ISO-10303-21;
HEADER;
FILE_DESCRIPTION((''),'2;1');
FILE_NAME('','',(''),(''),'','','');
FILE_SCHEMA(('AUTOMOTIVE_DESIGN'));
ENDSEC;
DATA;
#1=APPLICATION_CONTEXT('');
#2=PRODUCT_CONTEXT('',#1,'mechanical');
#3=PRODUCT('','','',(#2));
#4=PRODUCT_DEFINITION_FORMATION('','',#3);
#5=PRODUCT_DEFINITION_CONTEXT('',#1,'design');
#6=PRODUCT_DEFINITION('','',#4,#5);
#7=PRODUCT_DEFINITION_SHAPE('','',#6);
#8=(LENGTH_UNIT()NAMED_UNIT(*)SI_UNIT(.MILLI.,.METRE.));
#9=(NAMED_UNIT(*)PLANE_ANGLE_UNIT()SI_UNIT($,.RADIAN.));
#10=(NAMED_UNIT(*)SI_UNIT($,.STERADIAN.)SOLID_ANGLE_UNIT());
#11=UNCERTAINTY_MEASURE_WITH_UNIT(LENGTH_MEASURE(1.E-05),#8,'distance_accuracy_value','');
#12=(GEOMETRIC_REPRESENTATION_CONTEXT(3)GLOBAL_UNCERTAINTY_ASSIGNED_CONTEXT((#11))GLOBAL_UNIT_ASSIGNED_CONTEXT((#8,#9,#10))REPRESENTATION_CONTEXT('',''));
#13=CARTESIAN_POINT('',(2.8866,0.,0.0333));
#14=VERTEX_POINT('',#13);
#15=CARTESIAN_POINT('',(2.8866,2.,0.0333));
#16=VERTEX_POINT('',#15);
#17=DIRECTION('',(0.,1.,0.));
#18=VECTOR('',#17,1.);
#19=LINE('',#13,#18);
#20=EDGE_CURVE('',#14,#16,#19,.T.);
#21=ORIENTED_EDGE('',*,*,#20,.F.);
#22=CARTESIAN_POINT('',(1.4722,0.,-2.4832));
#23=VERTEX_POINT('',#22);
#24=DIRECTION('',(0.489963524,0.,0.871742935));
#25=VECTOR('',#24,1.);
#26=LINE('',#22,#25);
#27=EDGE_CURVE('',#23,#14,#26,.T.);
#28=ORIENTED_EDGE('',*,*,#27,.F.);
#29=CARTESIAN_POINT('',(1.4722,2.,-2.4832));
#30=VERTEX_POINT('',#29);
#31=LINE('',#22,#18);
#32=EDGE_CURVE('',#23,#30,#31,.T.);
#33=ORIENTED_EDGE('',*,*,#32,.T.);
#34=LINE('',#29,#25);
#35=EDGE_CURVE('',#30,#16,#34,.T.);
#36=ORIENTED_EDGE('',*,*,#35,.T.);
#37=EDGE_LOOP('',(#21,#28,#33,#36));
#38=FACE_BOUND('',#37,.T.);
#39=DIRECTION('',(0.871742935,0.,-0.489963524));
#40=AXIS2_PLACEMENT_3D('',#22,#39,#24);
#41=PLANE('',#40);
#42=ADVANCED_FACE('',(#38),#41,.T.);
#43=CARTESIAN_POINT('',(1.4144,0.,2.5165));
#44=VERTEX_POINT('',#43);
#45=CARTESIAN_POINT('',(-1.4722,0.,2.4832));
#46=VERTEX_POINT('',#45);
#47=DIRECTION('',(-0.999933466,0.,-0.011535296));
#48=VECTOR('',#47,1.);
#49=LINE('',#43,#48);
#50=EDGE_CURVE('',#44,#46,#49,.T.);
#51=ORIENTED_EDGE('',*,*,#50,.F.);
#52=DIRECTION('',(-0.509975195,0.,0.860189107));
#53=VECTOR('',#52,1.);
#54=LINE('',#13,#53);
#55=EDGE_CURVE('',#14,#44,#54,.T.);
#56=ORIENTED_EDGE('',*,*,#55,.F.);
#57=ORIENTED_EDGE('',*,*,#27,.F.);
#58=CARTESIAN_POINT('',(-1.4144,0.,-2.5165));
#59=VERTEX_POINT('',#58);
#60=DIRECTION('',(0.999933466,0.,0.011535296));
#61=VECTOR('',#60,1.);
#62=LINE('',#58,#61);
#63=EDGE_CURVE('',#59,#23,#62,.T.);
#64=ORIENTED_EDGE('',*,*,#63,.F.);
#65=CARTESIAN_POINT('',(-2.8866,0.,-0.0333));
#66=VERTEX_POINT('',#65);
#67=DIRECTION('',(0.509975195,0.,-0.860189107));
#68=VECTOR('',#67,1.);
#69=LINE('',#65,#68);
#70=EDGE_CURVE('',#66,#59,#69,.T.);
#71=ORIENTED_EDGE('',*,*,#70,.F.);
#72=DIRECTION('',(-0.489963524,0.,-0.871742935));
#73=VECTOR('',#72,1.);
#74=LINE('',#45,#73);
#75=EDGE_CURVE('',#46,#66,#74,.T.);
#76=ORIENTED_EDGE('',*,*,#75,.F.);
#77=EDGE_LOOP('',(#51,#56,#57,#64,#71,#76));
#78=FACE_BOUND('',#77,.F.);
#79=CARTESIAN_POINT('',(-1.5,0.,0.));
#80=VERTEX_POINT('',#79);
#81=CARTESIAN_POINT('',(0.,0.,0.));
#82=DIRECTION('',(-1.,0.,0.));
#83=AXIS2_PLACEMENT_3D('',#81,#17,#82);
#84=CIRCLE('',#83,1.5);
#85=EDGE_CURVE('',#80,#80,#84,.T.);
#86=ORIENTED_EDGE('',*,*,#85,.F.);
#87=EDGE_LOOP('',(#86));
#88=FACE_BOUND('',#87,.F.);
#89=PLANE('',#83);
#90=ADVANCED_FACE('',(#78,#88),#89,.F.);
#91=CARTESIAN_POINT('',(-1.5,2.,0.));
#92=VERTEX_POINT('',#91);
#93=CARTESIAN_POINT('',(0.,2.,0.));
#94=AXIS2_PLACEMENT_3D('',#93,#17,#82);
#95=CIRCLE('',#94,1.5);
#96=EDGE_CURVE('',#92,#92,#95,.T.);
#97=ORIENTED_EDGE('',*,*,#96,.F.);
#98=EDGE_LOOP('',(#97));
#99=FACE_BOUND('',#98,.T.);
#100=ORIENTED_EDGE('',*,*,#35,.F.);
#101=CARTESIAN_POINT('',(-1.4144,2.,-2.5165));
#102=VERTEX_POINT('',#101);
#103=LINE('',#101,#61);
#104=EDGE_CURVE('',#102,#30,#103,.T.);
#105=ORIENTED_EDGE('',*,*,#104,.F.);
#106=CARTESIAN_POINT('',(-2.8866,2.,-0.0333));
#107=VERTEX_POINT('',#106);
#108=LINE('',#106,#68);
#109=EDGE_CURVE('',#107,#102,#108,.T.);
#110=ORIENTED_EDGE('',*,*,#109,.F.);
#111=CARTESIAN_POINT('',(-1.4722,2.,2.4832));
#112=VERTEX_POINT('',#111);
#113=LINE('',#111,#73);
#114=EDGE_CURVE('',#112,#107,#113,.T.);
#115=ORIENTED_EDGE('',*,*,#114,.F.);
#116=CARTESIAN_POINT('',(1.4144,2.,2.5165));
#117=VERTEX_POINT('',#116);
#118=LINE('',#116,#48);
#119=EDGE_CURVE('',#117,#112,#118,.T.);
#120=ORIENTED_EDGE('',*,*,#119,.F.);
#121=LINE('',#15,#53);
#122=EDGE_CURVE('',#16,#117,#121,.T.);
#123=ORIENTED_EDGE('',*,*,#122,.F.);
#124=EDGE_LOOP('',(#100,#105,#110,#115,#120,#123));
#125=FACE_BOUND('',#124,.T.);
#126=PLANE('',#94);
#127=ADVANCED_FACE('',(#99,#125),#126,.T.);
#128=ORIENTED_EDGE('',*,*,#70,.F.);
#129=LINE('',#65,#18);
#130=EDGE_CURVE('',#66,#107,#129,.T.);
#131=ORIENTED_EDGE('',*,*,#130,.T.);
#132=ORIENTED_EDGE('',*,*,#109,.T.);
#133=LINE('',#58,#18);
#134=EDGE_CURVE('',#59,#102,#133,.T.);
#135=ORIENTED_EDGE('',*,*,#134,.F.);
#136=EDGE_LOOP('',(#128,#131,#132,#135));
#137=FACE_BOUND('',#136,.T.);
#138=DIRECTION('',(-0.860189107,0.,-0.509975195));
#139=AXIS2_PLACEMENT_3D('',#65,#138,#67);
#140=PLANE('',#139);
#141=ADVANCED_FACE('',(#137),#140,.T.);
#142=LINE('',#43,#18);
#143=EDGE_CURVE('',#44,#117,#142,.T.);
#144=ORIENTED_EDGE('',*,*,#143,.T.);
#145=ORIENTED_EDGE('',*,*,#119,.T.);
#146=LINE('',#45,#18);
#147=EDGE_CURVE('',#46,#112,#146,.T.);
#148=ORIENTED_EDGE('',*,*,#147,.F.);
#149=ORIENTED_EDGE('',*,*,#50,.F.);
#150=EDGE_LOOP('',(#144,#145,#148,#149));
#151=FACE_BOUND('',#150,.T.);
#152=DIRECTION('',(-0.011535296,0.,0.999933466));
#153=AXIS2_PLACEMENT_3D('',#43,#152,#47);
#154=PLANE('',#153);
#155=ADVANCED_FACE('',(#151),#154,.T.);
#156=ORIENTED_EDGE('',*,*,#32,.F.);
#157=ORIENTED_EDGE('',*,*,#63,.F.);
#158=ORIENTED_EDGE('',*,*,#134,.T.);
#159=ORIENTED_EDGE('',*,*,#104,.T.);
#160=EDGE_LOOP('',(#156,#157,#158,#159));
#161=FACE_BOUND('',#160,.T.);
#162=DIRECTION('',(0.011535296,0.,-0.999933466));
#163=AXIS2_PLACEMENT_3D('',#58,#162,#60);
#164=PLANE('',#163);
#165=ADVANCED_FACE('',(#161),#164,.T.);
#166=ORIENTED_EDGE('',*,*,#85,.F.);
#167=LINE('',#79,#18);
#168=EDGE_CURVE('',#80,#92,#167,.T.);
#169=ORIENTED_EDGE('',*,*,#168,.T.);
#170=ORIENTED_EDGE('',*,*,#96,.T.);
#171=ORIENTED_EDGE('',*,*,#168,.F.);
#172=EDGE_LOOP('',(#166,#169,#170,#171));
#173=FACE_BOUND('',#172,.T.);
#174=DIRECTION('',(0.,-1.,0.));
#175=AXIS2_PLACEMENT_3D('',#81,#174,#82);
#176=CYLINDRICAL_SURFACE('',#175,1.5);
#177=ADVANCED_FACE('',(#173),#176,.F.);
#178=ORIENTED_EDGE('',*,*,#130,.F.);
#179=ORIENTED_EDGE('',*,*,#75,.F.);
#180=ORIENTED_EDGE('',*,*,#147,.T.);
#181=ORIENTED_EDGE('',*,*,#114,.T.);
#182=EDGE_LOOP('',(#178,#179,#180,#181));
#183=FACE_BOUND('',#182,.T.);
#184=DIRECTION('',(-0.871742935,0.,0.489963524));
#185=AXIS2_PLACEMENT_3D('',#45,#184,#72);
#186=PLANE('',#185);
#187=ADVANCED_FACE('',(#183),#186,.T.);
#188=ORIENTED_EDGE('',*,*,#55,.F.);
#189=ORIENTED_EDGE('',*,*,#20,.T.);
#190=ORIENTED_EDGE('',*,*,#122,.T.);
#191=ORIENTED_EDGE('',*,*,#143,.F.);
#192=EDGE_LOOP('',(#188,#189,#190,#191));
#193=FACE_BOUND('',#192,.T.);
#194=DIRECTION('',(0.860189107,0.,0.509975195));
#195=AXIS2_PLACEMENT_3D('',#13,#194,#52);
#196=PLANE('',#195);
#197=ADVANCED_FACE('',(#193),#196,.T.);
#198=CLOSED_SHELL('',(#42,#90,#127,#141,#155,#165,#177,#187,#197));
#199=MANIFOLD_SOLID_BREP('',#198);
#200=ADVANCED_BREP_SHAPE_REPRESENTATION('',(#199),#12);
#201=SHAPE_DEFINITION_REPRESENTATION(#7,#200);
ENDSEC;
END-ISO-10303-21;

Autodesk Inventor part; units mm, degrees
ref_plane "YZ Plane" through (0, 0, 0) normal (1, 0, 0) x (0, 1, 0)
ref_plane "XZ Plane" through (0, 0, 0) normal (0, 1, 0) x (-1, 0, 0)
ref_plane "XY Plane" through (0, 0, 0) normal (0, 0, 1) x (1, 0, 0)
sketch "Sketch1" plane through (0, 0, 0) normal (0, 1, 0) x (-1, 0, 0)
  line L0 (1.4722, 2.4832) -> (2.8866, -0.0333)
  line L1 (2.8866, -0.0333) -> (1.4144, -2.5165)
  line L2 (1.4144, -2.5165) -> (-1.4722, -2.4832)
  line L3 (-1.4722, -2.4832) -> (-2.8866, 0.0333)
  line L4 (-2.8866, 0.0333) -> (-1.4144, 2.5165)
  line L5 (-1.4144, 2.5165) -> (1.4722, 2.4832)
  circle A0 centre (0, 0) radius 1.5
  dimension "d0" = 5
  dimension "d1" = 3
extrude "Extrusion1" add sketch "Sketch1" along normal blind 2
thread "Thread1" size "M3x0.5" class "6H" standard "ANSI Metric M Profile" full length
properties part number "3asAnya" material "Steel, Alloy"
